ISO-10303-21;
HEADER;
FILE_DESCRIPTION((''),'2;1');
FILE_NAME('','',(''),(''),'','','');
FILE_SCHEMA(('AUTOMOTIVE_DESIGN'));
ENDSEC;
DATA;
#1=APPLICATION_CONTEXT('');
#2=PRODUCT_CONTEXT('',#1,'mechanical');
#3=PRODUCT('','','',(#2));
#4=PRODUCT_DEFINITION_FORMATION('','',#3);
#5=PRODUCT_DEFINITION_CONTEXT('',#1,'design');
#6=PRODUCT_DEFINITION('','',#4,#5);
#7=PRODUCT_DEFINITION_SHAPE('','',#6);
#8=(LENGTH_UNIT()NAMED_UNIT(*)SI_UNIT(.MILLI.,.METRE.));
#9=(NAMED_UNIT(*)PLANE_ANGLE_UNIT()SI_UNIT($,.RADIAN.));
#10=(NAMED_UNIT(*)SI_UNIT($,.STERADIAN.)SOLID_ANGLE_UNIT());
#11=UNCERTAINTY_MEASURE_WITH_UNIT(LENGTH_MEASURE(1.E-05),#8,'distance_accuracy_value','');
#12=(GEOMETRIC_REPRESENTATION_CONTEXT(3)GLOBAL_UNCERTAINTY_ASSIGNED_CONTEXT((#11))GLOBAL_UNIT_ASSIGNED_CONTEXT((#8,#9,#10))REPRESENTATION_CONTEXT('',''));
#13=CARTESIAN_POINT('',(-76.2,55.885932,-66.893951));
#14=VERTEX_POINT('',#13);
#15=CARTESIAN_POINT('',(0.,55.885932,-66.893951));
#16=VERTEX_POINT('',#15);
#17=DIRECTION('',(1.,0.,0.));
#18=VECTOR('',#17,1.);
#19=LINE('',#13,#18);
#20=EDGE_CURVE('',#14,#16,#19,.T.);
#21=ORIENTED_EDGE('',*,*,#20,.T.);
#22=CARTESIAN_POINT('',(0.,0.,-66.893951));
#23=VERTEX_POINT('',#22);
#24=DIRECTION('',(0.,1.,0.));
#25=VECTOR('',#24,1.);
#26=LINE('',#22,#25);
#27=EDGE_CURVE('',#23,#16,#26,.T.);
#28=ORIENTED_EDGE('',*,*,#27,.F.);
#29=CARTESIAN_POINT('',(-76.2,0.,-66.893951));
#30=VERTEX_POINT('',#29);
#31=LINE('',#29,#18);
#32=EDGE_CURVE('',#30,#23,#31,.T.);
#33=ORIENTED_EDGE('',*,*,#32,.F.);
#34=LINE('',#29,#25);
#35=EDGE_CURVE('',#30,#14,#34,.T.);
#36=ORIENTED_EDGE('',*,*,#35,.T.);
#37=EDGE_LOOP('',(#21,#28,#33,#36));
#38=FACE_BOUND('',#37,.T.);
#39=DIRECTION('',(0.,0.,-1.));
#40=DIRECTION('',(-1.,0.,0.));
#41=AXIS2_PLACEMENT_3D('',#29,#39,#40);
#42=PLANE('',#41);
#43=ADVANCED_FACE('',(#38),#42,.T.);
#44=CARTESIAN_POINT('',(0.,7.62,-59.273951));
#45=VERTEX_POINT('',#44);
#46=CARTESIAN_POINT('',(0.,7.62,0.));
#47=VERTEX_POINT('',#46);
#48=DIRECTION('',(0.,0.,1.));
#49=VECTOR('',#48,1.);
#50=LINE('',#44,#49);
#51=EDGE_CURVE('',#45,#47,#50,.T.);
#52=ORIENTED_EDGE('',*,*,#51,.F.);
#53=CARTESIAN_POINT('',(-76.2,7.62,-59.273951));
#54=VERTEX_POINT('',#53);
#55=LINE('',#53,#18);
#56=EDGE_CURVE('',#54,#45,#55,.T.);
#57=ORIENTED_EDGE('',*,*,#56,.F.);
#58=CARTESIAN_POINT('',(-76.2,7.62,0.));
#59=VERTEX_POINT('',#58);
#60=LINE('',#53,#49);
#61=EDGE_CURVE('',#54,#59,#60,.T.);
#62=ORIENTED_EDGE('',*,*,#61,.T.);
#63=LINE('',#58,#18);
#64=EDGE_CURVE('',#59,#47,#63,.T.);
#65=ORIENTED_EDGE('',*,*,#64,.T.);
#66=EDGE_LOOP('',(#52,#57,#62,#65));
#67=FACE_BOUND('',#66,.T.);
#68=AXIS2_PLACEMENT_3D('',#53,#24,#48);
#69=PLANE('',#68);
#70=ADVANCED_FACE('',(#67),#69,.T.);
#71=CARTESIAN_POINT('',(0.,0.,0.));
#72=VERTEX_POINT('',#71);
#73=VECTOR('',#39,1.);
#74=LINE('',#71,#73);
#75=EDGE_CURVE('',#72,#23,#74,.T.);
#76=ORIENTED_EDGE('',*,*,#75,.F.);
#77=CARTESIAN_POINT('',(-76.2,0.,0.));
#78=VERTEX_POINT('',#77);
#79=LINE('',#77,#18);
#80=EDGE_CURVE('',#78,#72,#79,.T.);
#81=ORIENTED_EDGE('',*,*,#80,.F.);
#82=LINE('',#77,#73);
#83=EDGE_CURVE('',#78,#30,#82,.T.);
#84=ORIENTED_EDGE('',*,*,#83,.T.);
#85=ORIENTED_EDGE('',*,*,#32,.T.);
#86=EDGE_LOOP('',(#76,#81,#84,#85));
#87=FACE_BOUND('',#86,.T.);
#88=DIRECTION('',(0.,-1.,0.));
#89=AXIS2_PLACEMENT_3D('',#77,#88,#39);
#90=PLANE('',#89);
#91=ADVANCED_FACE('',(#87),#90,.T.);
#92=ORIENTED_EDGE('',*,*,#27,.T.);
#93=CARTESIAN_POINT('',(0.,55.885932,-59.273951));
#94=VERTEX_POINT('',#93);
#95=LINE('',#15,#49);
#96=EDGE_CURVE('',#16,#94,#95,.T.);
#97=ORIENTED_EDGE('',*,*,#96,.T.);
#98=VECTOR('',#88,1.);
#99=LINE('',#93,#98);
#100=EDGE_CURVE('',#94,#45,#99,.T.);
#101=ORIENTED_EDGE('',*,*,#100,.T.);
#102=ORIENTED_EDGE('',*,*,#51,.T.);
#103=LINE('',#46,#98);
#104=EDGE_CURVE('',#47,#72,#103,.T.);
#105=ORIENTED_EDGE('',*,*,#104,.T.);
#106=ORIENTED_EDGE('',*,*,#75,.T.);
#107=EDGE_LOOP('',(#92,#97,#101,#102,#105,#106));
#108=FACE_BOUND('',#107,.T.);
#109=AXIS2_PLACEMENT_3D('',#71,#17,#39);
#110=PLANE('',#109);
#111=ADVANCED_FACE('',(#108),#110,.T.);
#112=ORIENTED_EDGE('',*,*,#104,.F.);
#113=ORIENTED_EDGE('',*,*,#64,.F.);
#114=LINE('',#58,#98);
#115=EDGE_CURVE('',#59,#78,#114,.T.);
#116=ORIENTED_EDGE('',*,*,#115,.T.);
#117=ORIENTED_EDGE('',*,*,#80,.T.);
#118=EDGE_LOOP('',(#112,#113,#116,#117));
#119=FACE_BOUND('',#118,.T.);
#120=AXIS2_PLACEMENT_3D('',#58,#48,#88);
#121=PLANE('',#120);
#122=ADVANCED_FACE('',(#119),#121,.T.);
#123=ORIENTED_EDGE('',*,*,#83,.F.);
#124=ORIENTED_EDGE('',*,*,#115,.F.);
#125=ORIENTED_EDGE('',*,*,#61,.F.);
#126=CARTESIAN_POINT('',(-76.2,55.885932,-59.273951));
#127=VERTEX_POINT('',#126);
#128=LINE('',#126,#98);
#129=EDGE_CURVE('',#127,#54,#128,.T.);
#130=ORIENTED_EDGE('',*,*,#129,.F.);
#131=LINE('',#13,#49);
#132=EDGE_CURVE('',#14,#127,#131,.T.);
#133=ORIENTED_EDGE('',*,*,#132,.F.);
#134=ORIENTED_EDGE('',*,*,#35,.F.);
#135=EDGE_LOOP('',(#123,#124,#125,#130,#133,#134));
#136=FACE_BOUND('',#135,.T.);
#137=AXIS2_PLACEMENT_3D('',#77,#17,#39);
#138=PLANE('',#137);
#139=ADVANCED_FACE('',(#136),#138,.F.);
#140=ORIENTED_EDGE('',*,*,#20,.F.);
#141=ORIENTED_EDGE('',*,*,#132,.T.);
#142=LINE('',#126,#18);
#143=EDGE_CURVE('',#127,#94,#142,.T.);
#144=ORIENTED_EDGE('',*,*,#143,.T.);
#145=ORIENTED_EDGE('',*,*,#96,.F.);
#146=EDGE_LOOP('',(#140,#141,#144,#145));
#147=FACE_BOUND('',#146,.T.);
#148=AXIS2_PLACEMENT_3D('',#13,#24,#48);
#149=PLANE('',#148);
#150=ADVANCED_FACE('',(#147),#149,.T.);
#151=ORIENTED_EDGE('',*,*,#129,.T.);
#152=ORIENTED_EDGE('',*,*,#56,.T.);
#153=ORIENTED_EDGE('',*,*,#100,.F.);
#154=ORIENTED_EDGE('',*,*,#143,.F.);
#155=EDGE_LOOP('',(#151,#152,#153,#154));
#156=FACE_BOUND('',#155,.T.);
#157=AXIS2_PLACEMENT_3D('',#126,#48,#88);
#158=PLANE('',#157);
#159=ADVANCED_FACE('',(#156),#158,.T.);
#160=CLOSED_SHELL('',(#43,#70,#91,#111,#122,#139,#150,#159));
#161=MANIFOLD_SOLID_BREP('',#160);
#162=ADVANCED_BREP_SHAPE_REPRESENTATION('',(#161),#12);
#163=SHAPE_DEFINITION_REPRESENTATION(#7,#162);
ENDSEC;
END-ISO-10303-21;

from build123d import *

# Parameters (mm, degrees)
EXTRUDE1_DEPTH = 76.2


with BuildPart() as part:
    # Sketch1 → Extrude1 (new body)
    with BuildSketch(Plane(origin=(0, 0, 0), x_dir=(0, 0, -1), z_dir=(1, 0, 0))):
        Polygon((0, 0), (66.893951326, 0), (66.893951326, 55.885931794), (59.273951326, 55.885931794), (59.273951326, 7.62), (0, 7.62), align=None)
    extrude(amount=-EXTRUDE1_DEPTH)


solid = part.part
